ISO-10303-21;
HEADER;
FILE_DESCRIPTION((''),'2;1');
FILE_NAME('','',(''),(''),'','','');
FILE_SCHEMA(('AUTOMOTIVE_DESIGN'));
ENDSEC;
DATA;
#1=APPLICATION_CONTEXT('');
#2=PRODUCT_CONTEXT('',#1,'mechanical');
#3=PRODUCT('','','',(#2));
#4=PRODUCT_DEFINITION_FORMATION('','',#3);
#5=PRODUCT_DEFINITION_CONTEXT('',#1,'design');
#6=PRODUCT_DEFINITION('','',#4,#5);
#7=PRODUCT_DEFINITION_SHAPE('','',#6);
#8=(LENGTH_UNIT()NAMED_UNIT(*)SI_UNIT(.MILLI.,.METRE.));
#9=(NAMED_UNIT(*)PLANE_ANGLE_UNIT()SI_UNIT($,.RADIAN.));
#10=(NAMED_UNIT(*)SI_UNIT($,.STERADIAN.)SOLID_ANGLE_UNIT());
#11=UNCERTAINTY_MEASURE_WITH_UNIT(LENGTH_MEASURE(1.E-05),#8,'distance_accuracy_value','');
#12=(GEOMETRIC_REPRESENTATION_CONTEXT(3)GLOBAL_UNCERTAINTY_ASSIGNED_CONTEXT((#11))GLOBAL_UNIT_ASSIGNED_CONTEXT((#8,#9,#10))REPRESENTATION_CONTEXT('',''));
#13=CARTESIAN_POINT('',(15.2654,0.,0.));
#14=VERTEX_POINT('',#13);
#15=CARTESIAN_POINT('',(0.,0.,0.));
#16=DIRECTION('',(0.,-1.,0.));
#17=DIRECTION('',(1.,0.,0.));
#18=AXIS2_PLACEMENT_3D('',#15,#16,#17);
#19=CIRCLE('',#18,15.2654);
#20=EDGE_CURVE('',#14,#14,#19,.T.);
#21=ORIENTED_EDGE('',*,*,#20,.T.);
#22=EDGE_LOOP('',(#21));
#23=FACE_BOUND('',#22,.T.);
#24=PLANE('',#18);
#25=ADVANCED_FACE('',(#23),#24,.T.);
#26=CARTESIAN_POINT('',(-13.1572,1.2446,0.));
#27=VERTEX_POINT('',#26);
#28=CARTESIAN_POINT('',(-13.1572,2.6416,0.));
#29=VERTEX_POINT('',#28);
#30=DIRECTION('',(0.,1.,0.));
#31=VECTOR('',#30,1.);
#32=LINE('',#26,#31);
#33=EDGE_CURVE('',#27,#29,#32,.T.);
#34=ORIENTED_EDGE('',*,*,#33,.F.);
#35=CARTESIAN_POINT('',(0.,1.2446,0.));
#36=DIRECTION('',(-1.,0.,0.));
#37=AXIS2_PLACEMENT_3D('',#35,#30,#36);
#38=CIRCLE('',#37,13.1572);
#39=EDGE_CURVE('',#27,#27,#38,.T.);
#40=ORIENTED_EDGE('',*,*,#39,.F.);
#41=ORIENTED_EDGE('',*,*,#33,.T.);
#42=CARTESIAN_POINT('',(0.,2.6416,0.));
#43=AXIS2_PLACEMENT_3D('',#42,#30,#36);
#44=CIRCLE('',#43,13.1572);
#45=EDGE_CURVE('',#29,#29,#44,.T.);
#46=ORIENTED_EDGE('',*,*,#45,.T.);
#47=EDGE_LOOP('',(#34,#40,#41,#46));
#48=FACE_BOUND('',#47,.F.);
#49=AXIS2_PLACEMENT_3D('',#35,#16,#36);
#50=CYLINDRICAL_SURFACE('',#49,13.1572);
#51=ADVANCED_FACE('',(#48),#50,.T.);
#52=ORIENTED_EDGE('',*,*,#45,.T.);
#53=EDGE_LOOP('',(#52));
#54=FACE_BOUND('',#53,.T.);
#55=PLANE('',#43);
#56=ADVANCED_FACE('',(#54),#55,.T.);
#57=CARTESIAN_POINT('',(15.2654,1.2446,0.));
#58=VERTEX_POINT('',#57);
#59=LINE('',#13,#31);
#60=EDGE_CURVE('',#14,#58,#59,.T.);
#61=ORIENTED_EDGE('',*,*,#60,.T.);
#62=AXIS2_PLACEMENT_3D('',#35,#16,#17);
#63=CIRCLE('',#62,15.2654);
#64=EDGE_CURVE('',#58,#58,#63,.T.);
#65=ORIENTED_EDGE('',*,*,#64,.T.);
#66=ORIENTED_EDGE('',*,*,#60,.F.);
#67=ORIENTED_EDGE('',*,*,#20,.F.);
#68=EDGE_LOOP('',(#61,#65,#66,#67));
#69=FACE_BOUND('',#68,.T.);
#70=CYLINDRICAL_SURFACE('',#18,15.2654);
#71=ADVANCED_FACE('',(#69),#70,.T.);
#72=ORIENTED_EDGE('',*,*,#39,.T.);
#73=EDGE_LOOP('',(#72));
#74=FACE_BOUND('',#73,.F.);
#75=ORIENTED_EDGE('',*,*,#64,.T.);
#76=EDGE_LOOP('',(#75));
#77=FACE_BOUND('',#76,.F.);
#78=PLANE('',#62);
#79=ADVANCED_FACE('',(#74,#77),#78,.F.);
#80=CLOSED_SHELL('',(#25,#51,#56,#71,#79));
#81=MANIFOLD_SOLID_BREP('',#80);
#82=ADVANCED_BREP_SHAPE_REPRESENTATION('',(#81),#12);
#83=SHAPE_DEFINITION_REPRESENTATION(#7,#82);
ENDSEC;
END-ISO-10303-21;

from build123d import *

# Parameters (mm, degrees)
F0_R     = 15.2654
F1_DEPTH = 1.2446
F2_R     = 13.1572
F3_DEPTH = 1.397


with BuildPart() as f1:
    # F0 (on Front) → F1 (new body)
    with BuildSketch(Plane.XZ):
        Circle(F0_R)
    extrude(amount=-F1_DEPTH)

    # F2 (on face) → F3 (join)
    with BuildSketch(Plane(origin=(0, 1.2446, 0), x_dir=(-1, 0, 0), z_dir=(0, 1, 0))):
        Circle(F2_R)
    extrude(amount=F3_DEPTH)


solid = f1.part
